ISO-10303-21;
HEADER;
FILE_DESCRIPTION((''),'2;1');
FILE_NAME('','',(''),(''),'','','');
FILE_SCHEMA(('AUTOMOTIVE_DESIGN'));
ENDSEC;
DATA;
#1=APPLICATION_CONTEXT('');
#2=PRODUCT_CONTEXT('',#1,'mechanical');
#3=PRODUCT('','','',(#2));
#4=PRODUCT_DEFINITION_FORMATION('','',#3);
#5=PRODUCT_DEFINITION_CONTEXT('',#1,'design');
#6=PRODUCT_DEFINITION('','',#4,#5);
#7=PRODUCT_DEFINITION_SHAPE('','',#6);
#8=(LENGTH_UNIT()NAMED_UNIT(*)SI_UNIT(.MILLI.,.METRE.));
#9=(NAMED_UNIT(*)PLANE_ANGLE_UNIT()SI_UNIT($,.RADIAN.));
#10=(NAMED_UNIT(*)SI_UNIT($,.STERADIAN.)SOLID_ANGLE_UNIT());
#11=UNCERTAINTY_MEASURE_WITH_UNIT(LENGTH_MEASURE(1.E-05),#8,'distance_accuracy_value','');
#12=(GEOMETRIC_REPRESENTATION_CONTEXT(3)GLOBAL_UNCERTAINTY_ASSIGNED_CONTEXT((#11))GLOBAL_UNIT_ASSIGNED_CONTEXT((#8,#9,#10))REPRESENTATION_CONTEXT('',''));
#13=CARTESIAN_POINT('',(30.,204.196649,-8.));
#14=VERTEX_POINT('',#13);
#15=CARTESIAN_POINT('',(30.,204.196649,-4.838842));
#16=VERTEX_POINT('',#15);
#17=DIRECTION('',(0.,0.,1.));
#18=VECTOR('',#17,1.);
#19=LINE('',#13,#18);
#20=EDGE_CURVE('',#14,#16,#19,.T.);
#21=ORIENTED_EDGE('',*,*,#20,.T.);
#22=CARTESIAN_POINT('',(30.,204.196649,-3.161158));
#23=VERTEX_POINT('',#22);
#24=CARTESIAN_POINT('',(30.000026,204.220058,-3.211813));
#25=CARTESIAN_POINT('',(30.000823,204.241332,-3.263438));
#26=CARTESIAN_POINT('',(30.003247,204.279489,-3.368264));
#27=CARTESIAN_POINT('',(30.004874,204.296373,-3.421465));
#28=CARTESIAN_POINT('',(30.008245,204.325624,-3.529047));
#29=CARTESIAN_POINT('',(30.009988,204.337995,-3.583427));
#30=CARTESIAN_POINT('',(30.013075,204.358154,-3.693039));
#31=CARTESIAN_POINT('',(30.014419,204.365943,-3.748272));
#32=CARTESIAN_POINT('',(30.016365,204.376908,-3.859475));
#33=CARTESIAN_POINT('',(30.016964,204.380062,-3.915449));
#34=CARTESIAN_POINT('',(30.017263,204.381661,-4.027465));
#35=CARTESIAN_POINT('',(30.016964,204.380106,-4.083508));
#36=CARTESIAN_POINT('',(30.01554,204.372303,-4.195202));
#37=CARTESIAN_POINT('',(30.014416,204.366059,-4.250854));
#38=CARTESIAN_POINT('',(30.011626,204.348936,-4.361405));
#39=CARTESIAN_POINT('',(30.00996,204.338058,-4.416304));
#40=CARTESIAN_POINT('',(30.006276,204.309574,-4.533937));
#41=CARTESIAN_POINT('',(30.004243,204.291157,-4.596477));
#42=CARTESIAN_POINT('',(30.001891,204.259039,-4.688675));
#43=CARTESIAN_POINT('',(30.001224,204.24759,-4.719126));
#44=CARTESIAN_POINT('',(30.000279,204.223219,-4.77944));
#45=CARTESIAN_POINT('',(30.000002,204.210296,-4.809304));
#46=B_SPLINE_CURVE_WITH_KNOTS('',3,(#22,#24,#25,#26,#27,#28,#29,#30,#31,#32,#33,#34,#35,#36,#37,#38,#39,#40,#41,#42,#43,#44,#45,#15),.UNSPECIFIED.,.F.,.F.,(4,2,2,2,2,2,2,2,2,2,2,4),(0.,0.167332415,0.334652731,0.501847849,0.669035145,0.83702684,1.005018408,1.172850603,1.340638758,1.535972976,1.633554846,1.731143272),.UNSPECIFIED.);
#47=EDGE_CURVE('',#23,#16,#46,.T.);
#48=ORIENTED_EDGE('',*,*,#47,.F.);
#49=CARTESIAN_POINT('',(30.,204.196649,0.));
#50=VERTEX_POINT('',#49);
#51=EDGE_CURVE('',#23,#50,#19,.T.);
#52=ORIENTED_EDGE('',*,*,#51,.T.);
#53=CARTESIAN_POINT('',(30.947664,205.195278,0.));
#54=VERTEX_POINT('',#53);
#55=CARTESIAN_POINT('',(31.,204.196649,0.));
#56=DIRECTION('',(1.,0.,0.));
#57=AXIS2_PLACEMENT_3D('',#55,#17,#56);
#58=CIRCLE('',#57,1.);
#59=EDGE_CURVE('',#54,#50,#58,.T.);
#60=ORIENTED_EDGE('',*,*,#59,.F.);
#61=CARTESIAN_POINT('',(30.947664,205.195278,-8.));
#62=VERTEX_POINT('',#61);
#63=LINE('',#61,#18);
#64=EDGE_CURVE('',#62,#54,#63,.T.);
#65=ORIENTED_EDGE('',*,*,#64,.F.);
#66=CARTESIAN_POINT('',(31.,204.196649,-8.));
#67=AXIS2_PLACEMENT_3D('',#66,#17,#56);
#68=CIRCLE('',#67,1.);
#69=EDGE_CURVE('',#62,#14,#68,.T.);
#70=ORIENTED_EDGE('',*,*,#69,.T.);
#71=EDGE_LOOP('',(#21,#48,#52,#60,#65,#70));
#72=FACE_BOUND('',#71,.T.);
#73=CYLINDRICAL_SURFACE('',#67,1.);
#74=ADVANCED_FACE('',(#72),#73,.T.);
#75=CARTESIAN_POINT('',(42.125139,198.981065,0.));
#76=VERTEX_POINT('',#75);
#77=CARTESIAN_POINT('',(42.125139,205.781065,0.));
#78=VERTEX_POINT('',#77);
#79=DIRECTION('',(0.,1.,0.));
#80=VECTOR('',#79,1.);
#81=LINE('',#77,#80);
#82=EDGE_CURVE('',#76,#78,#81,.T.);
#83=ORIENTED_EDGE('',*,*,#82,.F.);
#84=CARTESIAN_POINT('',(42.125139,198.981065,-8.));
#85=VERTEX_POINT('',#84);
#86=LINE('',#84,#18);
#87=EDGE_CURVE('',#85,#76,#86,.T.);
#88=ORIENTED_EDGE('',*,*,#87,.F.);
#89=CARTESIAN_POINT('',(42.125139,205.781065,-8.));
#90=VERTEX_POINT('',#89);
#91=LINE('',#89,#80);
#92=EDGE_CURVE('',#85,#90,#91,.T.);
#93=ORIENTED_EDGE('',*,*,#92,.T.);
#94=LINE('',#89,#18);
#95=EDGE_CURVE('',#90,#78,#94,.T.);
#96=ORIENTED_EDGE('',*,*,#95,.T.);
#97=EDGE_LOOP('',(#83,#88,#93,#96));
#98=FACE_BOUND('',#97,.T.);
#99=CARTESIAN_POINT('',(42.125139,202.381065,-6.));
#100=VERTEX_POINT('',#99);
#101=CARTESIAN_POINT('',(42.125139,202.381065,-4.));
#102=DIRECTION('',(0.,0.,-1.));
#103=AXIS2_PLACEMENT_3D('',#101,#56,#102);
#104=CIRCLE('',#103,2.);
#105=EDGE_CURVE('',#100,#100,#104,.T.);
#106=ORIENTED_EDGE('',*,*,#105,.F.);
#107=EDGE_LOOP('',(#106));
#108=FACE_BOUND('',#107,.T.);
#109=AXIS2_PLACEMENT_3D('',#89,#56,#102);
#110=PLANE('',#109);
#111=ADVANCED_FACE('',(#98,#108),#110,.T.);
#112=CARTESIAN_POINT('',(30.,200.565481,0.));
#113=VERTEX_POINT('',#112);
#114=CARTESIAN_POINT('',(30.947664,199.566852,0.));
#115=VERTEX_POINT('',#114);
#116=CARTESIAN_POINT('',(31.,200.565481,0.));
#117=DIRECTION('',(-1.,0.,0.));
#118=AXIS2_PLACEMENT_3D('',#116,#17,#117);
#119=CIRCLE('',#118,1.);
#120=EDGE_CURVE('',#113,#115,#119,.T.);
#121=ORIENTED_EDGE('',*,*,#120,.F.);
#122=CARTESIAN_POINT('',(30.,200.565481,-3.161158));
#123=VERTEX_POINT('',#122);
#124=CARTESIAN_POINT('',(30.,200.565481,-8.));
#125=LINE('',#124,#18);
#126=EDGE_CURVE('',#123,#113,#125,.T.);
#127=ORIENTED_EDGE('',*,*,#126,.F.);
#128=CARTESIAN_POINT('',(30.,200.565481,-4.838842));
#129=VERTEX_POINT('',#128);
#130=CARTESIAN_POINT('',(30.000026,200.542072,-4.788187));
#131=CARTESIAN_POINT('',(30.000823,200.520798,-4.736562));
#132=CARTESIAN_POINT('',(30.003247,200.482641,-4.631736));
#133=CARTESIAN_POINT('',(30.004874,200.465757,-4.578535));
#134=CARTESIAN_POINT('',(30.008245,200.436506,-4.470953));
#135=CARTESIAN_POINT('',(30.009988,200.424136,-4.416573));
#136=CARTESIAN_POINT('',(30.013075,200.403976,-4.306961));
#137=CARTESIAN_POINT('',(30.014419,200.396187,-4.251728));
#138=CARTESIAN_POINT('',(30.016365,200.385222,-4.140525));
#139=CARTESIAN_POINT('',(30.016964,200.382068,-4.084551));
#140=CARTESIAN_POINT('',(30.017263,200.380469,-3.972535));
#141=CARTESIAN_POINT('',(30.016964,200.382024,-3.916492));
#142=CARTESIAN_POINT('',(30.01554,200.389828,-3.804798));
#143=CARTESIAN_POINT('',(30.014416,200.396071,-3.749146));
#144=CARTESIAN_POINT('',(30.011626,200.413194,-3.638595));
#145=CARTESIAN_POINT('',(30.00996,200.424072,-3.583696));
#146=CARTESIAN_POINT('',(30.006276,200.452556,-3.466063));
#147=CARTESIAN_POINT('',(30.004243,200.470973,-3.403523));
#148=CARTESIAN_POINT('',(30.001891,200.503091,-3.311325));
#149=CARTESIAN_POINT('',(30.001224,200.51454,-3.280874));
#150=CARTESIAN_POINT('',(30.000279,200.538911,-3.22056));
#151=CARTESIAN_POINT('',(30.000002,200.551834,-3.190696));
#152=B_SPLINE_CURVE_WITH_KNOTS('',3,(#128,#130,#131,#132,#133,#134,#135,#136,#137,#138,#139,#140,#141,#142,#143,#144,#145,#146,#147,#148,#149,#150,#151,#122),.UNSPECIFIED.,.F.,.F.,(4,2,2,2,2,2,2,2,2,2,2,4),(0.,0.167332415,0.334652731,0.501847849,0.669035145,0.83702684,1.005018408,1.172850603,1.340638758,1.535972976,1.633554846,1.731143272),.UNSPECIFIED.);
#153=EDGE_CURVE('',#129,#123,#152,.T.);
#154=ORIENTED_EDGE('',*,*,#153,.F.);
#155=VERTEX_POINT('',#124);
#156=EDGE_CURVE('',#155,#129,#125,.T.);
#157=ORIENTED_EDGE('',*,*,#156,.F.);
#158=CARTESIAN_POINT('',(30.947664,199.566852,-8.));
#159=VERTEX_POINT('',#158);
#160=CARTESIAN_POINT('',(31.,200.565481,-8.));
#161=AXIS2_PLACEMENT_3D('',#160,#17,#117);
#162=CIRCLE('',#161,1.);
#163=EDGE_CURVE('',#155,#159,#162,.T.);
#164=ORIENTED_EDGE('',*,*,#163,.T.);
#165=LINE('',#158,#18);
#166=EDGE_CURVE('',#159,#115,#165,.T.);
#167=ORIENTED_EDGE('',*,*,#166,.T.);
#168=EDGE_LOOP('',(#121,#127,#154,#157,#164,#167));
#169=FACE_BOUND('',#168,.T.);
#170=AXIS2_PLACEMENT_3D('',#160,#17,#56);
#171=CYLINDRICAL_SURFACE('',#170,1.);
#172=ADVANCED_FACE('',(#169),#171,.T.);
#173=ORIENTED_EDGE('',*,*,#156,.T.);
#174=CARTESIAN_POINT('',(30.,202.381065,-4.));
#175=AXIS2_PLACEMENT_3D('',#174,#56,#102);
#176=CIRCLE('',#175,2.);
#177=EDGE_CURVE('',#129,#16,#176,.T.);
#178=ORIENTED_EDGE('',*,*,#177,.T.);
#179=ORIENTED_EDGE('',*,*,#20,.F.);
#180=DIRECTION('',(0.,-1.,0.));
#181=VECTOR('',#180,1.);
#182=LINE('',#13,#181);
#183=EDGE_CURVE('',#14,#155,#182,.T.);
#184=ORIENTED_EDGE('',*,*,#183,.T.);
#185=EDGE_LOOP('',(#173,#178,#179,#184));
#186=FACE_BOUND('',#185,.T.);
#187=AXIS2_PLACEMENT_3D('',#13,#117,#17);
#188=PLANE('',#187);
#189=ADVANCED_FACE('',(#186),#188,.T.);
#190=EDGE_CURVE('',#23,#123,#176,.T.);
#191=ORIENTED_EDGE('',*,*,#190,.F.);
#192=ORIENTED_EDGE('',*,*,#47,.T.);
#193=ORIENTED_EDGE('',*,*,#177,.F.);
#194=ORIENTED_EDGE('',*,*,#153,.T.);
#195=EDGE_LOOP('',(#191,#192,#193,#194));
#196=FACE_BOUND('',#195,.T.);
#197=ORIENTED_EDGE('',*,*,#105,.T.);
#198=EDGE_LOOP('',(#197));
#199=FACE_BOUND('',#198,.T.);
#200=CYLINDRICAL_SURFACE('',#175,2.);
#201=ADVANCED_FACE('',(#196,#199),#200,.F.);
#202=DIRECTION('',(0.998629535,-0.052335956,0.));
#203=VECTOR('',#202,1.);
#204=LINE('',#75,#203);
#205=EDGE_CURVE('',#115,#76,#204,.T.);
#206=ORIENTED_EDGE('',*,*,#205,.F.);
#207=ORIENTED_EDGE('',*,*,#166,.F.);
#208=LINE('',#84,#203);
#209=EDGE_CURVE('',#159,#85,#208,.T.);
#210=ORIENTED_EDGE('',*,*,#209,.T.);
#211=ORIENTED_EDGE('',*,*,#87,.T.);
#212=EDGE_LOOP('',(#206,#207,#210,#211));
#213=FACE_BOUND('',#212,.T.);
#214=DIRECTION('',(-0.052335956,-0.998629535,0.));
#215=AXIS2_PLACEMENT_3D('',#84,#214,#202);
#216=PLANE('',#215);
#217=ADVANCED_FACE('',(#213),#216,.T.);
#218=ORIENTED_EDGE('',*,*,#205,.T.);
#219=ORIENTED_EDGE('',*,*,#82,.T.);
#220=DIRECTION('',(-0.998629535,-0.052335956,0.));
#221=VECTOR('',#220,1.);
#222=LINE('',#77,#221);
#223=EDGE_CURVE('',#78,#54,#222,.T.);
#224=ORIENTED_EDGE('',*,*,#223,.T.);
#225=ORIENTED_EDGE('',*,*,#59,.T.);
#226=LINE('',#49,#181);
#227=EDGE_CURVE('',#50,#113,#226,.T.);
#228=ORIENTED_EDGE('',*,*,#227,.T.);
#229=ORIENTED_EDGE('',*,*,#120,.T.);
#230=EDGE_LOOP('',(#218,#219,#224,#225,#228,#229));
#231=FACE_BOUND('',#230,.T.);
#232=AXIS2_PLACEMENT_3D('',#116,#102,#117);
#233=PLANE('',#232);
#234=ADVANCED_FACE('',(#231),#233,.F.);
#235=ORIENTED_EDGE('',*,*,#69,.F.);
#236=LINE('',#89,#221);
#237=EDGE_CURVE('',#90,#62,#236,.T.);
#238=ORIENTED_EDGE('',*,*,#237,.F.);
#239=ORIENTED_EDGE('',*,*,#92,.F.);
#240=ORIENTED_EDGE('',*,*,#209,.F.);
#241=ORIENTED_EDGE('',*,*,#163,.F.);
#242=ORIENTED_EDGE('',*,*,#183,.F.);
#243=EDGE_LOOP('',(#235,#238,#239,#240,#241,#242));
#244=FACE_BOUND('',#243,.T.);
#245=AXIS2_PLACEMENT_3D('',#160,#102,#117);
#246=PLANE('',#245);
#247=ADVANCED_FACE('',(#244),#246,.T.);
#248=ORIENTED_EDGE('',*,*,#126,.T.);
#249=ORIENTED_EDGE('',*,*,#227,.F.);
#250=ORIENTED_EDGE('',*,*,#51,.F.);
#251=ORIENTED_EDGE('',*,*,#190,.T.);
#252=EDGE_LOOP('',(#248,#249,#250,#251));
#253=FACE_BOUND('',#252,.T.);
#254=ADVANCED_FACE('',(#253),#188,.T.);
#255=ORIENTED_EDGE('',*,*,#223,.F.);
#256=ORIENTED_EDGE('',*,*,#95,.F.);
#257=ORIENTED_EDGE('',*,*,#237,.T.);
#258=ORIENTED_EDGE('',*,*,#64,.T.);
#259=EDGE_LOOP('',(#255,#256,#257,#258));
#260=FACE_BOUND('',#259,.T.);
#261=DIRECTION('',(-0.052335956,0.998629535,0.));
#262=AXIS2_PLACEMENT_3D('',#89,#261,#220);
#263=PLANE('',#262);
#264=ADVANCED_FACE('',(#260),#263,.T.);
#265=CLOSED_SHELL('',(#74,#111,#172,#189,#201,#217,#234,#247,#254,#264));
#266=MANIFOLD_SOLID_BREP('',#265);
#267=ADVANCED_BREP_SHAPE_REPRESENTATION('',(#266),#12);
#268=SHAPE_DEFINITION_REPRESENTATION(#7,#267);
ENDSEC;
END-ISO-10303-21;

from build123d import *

# Parameters (mm, degrees)
RESSALTO_EXTRUS_O1_DEPTH = 8
ESBO_O3_R                = 2
CORTE_EXTRUS_O1_DEPTH    = 13.125139244


with BuildPart() as part:
    # Esboço2 → Ressalto-extrusão1 (new body)
    with BuildSketch(Plane.XY):
        with BuildLine():
            Line((42.125139244, 205.781065113), (30.947664044, 205.195278459))
            ThreePointArc((30.947664044, 205.195278459), (30.274625629, 204.8850035), (30, 204.196648925))
            Line((30, 204.196648925), (30, 200.565481301))
            ThreePointArc((30, 200.565481301), (30.274625629, 199.877126725), (30.947664044, 199.566851766))
            Line((30.947664044, 199.566851766), (42.125139244, 198.981065113))
            Line((42.125139244, 198.981065113), (42.125139244, 205.781065113))
        make_face()
    extrude(amount=-RESSALTO_EXTRUS_O1_DEPTH)

    # Esboço3 → Corte-extrusão1 (cut, through all)
    with BuildSketch(Plane(origin=(42.125139244, 0, 0), x_dir=(0, 0, -1), z_dir=(1, 0, 0))):
        with Locations((4, 202.381065113)):
            Circle(ESBO_O3_R)
    extrude(amount=-CORTE_EXTRUS_O1_DEPTH, mode=Mode.SUBTRACT)


solid = part.part
